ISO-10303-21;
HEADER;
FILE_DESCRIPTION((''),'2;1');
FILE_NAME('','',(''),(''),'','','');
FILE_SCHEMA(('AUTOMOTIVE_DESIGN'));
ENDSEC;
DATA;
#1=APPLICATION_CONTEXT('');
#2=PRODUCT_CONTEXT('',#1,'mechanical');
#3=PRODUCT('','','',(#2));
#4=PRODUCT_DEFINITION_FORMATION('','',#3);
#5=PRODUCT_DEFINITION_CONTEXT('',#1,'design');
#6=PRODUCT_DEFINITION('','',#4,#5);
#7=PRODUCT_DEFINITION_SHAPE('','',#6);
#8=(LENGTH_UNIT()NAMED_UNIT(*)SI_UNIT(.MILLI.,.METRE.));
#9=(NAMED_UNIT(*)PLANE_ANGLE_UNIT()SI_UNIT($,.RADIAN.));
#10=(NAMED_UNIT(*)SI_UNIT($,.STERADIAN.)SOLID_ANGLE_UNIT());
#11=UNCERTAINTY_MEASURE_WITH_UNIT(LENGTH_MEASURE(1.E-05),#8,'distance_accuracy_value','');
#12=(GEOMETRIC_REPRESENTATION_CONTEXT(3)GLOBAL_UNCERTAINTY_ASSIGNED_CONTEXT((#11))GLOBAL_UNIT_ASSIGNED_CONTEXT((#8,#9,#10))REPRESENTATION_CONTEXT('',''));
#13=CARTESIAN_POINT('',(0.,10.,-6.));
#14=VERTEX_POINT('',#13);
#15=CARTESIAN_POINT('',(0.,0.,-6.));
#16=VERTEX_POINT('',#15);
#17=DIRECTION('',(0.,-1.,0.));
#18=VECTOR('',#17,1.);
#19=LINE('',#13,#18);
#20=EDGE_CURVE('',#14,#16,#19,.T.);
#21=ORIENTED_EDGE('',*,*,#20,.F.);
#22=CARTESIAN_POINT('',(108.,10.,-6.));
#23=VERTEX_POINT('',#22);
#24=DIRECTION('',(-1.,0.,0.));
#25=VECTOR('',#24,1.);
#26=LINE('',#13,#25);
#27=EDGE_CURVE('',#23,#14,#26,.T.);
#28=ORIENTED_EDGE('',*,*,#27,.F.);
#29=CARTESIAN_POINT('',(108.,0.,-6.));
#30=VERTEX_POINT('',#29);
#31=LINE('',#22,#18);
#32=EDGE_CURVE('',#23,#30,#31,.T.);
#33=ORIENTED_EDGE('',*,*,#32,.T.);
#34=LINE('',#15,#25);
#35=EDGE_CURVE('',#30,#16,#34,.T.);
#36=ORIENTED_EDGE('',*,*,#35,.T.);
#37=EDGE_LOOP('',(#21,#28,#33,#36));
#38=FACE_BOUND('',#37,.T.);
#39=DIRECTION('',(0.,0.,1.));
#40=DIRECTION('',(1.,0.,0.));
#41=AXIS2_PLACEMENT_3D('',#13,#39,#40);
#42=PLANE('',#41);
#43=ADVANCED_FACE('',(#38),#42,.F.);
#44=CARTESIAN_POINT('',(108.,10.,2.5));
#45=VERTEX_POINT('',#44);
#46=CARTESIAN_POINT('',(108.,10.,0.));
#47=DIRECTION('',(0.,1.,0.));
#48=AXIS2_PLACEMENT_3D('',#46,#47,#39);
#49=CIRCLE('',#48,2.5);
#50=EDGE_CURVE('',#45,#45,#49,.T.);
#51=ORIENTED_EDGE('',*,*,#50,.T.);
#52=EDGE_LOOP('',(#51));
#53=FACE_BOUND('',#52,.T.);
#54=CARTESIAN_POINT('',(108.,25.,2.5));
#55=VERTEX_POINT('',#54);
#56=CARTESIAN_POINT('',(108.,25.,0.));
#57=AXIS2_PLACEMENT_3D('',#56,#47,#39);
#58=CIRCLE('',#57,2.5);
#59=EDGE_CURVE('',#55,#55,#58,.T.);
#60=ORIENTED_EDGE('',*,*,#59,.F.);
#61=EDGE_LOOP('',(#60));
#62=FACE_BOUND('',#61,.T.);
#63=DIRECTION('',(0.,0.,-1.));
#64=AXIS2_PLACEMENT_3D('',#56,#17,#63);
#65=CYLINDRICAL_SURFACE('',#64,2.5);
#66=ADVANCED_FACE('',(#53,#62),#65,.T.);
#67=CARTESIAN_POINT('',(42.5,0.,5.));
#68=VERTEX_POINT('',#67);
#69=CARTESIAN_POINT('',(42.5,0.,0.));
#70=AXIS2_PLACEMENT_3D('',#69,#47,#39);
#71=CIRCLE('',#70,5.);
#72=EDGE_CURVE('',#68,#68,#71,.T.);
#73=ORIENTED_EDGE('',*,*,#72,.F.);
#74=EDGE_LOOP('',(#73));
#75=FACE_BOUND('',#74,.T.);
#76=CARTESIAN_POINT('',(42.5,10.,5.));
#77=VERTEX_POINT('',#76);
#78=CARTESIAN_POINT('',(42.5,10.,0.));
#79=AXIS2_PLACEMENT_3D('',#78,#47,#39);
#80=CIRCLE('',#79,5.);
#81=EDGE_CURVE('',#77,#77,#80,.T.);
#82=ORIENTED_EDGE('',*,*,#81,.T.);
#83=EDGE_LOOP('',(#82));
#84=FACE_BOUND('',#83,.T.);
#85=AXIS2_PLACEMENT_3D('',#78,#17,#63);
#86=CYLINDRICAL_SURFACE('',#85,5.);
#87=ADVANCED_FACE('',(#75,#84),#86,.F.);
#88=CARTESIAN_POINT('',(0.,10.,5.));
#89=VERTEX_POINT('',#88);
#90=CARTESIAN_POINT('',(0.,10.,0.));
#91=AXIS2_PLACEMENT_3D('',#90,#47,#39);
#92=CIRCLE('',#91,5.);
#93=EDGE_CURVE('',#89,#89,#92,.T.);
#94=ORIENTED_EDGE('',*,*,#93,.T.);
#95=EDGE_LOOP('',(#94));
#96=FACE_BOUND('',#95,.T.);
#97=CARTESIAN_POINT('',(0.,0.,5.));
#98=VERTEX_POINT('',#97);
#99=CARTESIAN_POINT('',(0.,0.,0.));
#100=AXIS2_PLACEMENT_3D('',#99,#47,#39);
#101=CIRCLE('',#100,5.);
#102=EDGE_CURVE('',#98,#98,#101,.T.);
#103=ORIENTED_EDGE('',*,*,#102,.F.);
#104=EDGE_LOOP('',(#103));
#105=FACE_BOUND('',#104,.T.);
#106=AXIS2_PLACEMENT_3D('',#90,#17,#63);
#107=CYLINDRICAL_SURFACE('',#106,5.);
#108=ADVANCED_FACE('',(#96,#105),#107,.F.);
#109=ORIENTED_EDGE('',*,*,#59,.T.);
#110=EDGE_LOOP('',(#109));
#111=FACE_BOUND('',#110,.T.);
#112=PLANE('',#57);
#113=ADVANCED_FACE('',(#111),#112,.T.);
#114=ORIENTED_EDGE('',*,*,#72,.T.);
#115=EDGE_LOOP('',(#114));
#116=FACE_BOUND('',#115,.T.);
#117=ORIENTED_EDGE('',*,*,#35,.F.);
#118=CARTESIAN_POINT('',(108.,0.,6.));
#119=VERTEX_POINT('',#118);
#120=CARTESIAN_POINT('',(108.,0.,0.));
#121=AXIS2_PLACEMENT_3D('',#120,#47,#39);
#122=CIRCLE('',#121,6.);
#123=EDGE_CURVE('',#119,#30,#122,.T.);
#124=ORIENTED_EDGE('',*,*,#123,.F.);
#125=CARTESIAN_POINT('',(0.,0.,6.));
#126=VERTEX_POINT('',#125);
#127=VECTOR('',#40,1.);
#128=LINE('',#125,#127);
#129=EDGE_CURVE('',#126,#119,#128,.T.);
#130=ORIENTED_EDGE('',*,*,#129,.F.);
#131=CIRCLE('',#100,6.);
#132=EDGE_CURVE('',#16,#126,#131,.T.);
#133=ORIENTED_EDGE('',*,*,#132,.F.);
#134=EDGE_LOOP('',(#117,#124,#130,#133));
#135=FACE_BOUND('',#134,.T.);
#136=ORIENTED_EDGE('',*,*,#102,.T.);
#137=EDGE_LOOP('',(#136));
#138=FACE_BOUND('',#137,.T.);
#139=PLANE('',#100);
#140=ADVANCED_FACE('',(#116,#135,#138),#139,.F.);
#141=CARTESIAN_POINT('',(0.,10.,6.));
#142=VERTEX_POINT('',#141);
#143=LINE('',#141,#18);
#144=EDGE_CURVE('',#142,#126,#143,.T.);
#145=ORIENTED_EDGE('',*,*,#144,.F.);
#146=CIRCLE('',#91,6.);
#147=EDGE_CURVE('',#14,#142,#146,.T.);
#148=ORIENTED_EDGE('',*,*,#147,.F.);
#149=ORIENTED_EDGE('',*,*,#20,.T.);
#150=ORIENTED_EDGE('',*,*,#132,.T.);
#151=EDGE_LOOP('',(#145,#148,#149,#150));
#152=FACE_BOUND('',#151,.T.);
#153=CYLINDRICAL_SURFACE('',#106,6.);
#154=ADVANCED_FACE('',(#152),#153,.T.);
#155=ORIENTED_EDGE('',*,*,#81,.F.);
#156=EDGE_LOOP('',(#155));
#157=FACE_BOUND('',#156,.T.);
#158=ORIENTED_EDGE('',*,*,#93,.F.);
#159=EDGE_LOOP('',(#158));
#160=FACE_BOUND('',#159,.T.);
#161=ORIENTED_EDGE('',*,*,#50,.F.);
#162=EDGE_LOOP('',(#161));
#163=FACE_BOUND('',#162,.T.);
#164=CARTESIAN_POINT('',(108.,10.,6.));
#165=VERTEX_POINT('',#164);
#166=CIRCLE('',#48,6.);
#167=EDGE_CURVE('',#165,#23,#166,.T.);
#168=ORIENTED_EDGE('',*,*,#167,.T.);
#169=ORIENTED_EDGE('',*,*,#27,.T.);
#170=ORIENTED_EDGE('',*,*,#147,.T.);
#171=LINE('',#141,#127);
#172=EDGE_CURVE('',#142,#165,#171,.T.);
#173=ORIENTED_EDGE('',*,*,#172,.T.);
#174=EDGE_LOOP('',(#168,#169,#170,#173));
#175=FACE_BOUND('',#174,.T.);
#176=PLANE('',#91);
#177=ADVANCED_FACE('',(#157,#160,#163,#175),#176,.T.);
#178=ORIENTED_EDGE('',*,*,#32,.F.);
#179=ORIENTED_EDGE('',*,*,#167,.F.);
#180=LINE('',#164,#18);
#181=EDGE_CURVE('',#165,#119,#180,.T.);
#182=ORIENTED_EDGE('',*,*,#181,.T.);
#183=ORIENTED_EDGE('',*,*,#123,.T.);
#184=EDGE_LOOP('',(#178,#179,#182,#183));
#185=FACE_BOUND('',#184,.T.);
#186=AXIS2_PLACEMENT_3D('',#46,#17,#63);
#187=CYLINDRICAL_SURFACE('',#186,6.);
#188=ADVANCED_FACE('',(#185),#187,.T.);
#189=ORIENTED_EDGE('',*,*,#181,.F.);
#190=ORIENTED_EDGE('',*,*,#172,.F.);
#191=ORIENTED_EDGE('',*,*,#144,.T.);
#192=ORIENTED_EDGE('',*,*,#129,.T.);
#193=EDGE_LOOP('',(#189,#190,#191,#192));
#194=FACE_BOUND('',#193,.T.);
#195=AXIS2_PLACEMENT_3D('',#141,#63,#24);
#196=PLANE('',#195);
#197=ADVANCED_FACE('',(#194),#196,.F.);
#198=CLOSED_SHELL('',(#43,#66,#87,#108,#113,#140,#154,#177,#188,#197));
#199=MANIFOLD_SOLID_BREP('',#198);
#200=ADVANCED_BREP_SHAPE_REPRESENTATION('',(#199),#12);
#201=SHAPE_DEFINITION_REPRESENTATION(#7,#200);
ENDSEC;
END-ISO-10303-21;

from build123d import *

# Parameters (mm, degrees)
SKETCH1_R           = 5
BOSS_EXTRUDE1_DEPTH = 10
SKETCH2_R           = 2.5
BOSS_EXTRUDE2_DEPTH = 15


with BuildPart() as part:
    # Sketch1 → Boss-Extrude1 (new body)
    with BuildSketch(Plane(origin=(0, 0, 0), x_dir=(1, 0, 0), z_dir=(0, 1, 0))):
        with BuildLine():
            Line((0, 6), (108, 6))
            ThreePointArc((108, 6), (114, 0), (108, -6))
            Line((108, -6), (0, -6))
            ThreePointArc((0, -6), (-6, 0), (0, 6))
        make_face()
        Circle(SKETCH1_R, mode=Mode.SUBTRACT)
        with Locations((42.5, 0)):
            Circle(SKETCH1_R, mode=Mode.SUBTRACT)
    extrude(amount=BOSS_EXTRUDE1_DEPTH)

    # Sketch2 → Boss-Extrude2 (add)
    with BuildSketch(Plane(origin=(0, 10, 0), x_dir=(1, 0, 0), z_dir=(0, 1, 0))):
        with Locations((108, 0)):
            Circle(SKETCH2_R)
    extrude(amount=BOSS_EXTRUDE2_DEPTH)


solid = part.part
